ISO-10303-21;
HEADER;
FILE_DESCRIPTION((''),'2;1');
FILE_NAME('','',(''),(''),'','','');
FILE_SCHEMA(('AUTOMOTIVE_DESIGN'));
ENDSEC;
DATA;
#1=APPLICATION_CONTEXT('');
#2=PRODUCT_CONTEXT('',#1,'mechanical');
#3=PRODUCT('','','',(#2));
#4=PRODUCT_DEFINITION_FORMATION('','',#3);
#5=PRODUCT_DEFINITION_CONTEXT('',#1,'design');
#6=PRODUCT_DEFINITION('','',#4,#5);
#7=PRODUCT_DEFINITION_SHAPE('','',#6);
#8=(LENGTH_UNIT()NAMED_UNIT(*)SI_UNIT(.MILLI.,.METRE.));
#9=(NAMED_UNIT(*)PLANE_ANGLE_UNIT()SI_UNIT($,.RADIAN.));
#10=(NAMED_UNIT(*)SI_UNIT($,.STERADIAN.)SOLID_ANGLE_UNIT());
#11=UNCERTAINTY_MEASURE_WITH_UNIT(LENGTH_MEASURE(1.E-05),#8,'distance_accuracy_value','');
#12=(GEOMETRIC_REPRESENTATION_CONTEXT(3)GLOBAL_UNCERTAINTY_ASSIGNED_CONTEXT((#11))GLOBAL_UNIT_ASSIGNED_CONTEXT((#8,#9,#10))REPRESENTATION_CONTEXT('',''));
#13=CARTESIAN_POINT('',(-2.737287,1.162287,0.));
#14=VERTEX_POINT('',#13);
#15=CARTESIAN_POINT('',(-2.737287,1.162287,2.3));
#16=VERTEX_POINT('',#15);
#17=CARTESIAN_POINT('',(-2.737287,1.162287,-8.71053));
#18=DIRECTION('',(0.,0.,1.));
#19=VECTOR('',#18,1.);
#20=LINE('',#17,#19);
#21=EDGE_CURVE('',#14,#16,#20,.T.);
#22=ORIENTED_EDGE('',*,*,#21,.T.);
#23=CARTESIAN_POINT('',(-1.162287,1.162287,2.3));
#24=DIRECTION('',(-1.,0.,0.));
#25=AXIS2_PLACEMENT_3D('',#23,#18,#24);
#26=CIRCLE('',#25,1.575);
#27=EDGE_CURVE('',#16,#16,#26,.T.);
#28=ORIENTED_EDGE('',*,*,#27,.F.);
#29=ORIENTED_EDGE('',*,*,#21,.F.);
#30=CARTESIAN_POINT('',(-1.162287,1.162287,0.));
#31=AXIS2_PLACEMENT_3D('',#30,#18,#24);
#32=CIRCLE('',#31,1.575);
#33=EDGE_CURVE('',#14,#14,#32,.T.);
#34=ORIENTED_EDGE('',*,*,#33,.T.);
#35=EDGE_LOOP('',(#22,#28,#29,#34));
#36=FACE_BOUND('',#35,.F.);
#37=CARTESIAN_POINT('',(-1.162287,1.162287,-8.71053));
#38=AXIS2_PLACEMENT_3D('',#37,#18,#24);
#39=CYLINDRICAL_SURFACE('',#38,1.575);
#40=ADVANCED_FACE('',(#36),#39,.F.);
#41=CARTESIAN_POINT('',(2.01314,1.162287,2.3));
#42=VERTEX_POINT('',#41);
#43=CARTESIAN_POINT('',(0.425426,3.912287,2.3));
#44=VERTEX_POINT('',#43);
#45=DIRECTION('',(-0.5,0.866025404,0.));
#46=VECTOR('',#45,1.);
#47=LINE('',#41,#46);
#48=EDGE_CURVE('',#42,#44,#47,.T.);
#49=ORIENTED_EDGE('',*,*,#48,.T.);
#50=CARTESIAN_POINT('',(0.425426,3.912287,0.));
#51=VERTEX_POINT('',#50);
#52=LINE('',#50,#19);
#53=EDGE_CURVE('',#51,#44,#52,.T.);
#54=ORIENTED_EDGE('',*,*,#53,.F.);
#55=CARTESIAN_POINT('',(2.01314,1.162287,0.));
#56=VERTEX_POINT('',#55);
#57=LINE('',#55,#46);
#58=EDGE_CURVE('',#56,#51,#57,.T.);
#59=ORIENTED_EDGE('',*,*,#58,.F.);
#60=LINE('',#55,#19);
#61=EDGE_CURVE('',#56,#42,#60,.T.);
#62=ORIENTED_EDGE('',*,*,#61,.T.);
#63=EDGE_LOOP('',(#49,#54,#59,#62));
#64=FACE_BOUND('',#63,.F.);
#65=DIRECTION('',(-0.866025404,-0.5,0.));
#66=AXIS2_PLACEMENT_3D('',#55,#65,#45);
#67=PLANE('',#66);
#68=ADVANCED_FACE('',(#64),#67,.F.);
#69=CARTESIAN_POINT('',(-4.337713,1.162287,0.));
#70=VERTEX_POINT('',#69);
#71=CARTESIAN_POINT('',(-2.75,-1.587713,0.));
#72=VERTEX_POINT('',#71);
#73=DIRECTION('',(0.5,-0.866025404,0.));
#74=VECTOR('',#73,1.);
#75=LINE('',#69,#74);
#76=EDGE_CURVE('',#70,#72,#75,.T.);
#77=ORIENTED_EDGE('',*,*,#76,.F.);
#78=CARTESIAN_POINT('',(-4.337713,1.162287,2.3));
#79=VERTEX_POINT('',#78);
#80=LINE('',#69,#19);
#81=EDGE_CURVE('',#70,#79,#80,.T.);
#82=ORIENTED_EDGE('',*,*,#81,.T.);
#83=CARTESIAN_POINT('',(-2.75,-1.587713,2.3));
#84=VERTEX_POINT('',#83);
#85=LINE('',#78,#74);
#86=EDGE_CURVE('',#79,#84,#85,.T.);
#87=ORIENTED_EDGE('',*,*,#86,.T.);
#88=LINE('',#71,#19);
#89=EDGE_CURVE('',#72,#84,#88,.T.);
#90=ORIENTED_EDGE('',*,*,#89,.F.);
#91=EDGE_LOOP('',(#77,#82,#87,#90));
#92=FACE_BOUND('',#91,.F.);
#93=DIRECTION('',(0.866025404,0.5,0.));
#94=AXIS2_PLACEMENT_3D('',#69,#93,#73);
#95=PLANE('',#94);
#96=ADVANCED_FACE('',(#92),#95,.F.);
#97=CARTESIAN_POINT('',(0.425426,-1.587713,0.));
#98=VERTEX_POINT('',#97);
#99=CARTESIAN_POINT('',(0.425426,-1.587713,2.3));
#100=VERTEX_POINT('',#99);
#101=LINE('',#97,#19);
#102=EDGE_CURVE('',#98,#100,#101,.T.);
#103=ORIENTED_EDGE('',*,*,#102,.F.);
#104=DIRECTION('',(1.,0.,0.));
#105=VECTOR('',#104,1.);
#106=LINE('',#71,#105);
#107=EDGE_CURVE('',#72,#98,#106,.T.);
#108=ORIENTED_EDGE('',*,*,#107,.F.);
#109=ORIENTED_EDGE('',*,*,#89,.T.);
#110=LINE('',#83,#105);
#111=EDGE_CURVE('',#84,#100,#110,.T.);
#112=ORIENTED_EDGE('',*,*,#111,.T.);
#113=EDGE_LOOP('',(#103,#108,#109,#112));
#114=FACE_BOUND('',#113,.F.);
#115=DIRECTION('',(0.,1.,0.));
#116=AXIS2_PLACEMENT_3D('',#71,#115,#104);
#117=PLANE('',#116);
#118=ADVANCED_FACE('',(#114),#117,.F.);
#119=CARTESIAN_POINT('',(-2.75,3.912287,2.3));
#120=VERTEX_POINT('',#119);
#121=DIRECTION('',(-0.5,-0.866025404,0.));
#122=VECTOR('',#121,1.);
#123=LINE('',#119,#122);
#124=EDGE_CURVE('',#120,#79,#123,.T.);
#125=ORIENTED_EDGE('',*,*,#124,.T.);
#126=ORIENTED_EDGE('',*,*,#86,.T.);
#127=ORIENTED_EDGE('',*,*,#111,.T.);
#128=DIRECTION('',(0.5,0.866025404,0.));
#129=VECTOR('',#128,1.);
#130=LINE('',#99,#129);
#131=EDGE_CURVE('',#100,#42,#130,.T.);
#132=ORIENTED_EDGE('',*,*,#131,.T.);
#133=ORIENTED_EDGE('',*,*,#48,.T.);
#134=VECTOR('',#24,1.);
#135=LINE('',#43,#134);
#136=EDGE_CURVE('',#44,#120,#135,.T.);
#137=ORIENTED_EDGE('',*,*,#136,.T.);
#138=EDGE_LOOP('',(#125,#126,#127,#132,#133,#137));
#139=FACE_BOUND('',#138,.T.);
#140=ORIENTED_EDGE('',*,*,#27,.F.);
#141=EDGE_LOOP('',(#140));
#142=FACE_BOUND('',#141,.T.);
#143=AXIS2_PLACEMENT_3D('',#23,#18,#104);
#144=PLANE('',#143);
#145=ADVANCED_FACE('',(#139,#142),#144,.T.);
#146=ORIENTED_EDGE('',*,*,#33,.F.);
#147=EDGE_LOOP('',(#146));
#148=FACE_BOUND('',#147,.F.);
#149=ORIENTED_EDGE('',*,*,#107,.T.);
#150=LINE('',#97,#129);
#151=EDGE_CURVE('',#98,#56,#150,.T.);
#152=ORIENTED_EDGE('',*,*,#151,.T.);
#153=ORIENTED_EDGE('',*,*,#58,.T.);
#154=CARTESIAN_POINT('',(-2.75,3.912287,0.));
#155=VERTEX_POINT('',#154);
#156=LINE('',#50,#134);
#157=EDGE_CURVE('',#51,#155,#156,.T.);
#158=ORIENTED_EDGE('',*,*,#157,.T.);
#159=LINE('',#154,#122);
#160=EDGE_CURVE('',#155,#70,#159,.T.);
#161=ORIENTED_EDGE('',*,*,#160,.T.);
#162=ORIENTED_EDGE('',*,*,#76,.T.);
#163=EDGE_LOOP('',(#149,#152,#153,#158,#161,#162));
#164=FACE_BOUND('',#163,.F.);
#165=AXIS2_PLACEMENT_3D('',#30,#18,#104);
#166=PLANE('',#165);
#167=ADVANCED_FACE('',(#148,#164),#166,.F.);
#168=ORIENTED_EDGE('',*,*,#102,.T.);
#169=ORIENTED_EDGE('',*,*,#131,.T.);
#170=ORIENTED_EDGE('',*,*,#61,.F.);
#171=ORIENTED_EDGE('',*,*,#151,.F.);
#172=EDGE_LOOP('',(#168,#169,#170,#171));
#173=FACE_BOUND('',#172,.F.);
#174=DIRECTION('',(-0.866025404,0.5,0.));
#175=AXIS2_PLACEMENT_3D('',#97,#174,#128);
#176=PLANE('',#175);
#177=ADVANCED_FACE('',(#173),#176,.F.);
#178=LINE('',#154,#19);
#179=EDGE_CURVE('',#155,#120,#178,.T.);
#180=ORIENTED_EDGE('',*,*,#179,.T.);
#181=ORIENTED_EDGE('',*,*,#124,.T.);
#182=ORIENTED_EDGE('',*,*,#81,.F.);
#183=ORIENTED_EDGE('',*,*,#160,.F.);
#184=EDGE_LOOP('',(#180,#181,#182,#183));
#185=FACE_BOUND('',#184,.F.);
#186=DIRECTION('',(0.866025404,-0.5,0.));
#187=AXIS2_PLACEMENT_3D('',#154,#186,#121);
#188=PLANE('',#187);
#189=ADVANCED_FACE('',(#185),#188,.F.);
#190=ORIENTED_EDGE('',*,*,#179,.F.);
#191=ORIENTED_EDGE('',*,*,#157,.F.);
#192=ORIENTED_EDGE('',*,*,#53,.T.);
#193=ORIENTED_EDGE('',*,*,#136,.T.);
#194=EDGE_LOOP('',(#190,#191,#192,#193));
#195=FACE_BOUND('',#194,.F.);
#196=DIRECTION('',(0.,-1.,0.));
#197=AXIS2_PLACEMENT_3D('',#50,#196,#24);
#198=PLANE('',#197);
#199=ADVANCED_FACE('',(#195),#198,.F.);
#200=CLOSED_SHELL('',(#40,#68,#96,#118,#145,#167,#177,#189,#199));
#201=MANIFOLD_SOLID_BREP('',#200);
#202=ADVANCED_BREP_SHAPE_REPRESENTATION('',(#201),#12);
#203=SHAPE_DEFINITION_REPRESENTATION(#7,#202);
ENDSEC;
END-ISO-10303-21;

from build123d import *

# Parameters (mm, degrees)
F1_DEPTH = 2.3
F2_D     = 3.15


with BuildPart() as f1:
    # F0 (on Top) → F1 (new body)
    with BuildSketch(Plane.XY):
        Polygon((2.0131397208, 1.1622867597), (0.4254264805, 3.9122867597), (-2.75, 3.9122867597), (-4.3377132403, 1.1622867597), (-2.75, -1.5877132403), (0.4254264805, -1.5877132403), align=None)
    extrude(amount=F1_DEPTH)

    # F2 (through all)
    with Locations(Plane(origin=(0, 0, 0), x_dir=(1, 0, 0), z_dir=(0, 0, -1))):
        with Locations((-1.1622867597, -1.1622867597)):
            Hole(F2_D / 2)


solid = f1.part
